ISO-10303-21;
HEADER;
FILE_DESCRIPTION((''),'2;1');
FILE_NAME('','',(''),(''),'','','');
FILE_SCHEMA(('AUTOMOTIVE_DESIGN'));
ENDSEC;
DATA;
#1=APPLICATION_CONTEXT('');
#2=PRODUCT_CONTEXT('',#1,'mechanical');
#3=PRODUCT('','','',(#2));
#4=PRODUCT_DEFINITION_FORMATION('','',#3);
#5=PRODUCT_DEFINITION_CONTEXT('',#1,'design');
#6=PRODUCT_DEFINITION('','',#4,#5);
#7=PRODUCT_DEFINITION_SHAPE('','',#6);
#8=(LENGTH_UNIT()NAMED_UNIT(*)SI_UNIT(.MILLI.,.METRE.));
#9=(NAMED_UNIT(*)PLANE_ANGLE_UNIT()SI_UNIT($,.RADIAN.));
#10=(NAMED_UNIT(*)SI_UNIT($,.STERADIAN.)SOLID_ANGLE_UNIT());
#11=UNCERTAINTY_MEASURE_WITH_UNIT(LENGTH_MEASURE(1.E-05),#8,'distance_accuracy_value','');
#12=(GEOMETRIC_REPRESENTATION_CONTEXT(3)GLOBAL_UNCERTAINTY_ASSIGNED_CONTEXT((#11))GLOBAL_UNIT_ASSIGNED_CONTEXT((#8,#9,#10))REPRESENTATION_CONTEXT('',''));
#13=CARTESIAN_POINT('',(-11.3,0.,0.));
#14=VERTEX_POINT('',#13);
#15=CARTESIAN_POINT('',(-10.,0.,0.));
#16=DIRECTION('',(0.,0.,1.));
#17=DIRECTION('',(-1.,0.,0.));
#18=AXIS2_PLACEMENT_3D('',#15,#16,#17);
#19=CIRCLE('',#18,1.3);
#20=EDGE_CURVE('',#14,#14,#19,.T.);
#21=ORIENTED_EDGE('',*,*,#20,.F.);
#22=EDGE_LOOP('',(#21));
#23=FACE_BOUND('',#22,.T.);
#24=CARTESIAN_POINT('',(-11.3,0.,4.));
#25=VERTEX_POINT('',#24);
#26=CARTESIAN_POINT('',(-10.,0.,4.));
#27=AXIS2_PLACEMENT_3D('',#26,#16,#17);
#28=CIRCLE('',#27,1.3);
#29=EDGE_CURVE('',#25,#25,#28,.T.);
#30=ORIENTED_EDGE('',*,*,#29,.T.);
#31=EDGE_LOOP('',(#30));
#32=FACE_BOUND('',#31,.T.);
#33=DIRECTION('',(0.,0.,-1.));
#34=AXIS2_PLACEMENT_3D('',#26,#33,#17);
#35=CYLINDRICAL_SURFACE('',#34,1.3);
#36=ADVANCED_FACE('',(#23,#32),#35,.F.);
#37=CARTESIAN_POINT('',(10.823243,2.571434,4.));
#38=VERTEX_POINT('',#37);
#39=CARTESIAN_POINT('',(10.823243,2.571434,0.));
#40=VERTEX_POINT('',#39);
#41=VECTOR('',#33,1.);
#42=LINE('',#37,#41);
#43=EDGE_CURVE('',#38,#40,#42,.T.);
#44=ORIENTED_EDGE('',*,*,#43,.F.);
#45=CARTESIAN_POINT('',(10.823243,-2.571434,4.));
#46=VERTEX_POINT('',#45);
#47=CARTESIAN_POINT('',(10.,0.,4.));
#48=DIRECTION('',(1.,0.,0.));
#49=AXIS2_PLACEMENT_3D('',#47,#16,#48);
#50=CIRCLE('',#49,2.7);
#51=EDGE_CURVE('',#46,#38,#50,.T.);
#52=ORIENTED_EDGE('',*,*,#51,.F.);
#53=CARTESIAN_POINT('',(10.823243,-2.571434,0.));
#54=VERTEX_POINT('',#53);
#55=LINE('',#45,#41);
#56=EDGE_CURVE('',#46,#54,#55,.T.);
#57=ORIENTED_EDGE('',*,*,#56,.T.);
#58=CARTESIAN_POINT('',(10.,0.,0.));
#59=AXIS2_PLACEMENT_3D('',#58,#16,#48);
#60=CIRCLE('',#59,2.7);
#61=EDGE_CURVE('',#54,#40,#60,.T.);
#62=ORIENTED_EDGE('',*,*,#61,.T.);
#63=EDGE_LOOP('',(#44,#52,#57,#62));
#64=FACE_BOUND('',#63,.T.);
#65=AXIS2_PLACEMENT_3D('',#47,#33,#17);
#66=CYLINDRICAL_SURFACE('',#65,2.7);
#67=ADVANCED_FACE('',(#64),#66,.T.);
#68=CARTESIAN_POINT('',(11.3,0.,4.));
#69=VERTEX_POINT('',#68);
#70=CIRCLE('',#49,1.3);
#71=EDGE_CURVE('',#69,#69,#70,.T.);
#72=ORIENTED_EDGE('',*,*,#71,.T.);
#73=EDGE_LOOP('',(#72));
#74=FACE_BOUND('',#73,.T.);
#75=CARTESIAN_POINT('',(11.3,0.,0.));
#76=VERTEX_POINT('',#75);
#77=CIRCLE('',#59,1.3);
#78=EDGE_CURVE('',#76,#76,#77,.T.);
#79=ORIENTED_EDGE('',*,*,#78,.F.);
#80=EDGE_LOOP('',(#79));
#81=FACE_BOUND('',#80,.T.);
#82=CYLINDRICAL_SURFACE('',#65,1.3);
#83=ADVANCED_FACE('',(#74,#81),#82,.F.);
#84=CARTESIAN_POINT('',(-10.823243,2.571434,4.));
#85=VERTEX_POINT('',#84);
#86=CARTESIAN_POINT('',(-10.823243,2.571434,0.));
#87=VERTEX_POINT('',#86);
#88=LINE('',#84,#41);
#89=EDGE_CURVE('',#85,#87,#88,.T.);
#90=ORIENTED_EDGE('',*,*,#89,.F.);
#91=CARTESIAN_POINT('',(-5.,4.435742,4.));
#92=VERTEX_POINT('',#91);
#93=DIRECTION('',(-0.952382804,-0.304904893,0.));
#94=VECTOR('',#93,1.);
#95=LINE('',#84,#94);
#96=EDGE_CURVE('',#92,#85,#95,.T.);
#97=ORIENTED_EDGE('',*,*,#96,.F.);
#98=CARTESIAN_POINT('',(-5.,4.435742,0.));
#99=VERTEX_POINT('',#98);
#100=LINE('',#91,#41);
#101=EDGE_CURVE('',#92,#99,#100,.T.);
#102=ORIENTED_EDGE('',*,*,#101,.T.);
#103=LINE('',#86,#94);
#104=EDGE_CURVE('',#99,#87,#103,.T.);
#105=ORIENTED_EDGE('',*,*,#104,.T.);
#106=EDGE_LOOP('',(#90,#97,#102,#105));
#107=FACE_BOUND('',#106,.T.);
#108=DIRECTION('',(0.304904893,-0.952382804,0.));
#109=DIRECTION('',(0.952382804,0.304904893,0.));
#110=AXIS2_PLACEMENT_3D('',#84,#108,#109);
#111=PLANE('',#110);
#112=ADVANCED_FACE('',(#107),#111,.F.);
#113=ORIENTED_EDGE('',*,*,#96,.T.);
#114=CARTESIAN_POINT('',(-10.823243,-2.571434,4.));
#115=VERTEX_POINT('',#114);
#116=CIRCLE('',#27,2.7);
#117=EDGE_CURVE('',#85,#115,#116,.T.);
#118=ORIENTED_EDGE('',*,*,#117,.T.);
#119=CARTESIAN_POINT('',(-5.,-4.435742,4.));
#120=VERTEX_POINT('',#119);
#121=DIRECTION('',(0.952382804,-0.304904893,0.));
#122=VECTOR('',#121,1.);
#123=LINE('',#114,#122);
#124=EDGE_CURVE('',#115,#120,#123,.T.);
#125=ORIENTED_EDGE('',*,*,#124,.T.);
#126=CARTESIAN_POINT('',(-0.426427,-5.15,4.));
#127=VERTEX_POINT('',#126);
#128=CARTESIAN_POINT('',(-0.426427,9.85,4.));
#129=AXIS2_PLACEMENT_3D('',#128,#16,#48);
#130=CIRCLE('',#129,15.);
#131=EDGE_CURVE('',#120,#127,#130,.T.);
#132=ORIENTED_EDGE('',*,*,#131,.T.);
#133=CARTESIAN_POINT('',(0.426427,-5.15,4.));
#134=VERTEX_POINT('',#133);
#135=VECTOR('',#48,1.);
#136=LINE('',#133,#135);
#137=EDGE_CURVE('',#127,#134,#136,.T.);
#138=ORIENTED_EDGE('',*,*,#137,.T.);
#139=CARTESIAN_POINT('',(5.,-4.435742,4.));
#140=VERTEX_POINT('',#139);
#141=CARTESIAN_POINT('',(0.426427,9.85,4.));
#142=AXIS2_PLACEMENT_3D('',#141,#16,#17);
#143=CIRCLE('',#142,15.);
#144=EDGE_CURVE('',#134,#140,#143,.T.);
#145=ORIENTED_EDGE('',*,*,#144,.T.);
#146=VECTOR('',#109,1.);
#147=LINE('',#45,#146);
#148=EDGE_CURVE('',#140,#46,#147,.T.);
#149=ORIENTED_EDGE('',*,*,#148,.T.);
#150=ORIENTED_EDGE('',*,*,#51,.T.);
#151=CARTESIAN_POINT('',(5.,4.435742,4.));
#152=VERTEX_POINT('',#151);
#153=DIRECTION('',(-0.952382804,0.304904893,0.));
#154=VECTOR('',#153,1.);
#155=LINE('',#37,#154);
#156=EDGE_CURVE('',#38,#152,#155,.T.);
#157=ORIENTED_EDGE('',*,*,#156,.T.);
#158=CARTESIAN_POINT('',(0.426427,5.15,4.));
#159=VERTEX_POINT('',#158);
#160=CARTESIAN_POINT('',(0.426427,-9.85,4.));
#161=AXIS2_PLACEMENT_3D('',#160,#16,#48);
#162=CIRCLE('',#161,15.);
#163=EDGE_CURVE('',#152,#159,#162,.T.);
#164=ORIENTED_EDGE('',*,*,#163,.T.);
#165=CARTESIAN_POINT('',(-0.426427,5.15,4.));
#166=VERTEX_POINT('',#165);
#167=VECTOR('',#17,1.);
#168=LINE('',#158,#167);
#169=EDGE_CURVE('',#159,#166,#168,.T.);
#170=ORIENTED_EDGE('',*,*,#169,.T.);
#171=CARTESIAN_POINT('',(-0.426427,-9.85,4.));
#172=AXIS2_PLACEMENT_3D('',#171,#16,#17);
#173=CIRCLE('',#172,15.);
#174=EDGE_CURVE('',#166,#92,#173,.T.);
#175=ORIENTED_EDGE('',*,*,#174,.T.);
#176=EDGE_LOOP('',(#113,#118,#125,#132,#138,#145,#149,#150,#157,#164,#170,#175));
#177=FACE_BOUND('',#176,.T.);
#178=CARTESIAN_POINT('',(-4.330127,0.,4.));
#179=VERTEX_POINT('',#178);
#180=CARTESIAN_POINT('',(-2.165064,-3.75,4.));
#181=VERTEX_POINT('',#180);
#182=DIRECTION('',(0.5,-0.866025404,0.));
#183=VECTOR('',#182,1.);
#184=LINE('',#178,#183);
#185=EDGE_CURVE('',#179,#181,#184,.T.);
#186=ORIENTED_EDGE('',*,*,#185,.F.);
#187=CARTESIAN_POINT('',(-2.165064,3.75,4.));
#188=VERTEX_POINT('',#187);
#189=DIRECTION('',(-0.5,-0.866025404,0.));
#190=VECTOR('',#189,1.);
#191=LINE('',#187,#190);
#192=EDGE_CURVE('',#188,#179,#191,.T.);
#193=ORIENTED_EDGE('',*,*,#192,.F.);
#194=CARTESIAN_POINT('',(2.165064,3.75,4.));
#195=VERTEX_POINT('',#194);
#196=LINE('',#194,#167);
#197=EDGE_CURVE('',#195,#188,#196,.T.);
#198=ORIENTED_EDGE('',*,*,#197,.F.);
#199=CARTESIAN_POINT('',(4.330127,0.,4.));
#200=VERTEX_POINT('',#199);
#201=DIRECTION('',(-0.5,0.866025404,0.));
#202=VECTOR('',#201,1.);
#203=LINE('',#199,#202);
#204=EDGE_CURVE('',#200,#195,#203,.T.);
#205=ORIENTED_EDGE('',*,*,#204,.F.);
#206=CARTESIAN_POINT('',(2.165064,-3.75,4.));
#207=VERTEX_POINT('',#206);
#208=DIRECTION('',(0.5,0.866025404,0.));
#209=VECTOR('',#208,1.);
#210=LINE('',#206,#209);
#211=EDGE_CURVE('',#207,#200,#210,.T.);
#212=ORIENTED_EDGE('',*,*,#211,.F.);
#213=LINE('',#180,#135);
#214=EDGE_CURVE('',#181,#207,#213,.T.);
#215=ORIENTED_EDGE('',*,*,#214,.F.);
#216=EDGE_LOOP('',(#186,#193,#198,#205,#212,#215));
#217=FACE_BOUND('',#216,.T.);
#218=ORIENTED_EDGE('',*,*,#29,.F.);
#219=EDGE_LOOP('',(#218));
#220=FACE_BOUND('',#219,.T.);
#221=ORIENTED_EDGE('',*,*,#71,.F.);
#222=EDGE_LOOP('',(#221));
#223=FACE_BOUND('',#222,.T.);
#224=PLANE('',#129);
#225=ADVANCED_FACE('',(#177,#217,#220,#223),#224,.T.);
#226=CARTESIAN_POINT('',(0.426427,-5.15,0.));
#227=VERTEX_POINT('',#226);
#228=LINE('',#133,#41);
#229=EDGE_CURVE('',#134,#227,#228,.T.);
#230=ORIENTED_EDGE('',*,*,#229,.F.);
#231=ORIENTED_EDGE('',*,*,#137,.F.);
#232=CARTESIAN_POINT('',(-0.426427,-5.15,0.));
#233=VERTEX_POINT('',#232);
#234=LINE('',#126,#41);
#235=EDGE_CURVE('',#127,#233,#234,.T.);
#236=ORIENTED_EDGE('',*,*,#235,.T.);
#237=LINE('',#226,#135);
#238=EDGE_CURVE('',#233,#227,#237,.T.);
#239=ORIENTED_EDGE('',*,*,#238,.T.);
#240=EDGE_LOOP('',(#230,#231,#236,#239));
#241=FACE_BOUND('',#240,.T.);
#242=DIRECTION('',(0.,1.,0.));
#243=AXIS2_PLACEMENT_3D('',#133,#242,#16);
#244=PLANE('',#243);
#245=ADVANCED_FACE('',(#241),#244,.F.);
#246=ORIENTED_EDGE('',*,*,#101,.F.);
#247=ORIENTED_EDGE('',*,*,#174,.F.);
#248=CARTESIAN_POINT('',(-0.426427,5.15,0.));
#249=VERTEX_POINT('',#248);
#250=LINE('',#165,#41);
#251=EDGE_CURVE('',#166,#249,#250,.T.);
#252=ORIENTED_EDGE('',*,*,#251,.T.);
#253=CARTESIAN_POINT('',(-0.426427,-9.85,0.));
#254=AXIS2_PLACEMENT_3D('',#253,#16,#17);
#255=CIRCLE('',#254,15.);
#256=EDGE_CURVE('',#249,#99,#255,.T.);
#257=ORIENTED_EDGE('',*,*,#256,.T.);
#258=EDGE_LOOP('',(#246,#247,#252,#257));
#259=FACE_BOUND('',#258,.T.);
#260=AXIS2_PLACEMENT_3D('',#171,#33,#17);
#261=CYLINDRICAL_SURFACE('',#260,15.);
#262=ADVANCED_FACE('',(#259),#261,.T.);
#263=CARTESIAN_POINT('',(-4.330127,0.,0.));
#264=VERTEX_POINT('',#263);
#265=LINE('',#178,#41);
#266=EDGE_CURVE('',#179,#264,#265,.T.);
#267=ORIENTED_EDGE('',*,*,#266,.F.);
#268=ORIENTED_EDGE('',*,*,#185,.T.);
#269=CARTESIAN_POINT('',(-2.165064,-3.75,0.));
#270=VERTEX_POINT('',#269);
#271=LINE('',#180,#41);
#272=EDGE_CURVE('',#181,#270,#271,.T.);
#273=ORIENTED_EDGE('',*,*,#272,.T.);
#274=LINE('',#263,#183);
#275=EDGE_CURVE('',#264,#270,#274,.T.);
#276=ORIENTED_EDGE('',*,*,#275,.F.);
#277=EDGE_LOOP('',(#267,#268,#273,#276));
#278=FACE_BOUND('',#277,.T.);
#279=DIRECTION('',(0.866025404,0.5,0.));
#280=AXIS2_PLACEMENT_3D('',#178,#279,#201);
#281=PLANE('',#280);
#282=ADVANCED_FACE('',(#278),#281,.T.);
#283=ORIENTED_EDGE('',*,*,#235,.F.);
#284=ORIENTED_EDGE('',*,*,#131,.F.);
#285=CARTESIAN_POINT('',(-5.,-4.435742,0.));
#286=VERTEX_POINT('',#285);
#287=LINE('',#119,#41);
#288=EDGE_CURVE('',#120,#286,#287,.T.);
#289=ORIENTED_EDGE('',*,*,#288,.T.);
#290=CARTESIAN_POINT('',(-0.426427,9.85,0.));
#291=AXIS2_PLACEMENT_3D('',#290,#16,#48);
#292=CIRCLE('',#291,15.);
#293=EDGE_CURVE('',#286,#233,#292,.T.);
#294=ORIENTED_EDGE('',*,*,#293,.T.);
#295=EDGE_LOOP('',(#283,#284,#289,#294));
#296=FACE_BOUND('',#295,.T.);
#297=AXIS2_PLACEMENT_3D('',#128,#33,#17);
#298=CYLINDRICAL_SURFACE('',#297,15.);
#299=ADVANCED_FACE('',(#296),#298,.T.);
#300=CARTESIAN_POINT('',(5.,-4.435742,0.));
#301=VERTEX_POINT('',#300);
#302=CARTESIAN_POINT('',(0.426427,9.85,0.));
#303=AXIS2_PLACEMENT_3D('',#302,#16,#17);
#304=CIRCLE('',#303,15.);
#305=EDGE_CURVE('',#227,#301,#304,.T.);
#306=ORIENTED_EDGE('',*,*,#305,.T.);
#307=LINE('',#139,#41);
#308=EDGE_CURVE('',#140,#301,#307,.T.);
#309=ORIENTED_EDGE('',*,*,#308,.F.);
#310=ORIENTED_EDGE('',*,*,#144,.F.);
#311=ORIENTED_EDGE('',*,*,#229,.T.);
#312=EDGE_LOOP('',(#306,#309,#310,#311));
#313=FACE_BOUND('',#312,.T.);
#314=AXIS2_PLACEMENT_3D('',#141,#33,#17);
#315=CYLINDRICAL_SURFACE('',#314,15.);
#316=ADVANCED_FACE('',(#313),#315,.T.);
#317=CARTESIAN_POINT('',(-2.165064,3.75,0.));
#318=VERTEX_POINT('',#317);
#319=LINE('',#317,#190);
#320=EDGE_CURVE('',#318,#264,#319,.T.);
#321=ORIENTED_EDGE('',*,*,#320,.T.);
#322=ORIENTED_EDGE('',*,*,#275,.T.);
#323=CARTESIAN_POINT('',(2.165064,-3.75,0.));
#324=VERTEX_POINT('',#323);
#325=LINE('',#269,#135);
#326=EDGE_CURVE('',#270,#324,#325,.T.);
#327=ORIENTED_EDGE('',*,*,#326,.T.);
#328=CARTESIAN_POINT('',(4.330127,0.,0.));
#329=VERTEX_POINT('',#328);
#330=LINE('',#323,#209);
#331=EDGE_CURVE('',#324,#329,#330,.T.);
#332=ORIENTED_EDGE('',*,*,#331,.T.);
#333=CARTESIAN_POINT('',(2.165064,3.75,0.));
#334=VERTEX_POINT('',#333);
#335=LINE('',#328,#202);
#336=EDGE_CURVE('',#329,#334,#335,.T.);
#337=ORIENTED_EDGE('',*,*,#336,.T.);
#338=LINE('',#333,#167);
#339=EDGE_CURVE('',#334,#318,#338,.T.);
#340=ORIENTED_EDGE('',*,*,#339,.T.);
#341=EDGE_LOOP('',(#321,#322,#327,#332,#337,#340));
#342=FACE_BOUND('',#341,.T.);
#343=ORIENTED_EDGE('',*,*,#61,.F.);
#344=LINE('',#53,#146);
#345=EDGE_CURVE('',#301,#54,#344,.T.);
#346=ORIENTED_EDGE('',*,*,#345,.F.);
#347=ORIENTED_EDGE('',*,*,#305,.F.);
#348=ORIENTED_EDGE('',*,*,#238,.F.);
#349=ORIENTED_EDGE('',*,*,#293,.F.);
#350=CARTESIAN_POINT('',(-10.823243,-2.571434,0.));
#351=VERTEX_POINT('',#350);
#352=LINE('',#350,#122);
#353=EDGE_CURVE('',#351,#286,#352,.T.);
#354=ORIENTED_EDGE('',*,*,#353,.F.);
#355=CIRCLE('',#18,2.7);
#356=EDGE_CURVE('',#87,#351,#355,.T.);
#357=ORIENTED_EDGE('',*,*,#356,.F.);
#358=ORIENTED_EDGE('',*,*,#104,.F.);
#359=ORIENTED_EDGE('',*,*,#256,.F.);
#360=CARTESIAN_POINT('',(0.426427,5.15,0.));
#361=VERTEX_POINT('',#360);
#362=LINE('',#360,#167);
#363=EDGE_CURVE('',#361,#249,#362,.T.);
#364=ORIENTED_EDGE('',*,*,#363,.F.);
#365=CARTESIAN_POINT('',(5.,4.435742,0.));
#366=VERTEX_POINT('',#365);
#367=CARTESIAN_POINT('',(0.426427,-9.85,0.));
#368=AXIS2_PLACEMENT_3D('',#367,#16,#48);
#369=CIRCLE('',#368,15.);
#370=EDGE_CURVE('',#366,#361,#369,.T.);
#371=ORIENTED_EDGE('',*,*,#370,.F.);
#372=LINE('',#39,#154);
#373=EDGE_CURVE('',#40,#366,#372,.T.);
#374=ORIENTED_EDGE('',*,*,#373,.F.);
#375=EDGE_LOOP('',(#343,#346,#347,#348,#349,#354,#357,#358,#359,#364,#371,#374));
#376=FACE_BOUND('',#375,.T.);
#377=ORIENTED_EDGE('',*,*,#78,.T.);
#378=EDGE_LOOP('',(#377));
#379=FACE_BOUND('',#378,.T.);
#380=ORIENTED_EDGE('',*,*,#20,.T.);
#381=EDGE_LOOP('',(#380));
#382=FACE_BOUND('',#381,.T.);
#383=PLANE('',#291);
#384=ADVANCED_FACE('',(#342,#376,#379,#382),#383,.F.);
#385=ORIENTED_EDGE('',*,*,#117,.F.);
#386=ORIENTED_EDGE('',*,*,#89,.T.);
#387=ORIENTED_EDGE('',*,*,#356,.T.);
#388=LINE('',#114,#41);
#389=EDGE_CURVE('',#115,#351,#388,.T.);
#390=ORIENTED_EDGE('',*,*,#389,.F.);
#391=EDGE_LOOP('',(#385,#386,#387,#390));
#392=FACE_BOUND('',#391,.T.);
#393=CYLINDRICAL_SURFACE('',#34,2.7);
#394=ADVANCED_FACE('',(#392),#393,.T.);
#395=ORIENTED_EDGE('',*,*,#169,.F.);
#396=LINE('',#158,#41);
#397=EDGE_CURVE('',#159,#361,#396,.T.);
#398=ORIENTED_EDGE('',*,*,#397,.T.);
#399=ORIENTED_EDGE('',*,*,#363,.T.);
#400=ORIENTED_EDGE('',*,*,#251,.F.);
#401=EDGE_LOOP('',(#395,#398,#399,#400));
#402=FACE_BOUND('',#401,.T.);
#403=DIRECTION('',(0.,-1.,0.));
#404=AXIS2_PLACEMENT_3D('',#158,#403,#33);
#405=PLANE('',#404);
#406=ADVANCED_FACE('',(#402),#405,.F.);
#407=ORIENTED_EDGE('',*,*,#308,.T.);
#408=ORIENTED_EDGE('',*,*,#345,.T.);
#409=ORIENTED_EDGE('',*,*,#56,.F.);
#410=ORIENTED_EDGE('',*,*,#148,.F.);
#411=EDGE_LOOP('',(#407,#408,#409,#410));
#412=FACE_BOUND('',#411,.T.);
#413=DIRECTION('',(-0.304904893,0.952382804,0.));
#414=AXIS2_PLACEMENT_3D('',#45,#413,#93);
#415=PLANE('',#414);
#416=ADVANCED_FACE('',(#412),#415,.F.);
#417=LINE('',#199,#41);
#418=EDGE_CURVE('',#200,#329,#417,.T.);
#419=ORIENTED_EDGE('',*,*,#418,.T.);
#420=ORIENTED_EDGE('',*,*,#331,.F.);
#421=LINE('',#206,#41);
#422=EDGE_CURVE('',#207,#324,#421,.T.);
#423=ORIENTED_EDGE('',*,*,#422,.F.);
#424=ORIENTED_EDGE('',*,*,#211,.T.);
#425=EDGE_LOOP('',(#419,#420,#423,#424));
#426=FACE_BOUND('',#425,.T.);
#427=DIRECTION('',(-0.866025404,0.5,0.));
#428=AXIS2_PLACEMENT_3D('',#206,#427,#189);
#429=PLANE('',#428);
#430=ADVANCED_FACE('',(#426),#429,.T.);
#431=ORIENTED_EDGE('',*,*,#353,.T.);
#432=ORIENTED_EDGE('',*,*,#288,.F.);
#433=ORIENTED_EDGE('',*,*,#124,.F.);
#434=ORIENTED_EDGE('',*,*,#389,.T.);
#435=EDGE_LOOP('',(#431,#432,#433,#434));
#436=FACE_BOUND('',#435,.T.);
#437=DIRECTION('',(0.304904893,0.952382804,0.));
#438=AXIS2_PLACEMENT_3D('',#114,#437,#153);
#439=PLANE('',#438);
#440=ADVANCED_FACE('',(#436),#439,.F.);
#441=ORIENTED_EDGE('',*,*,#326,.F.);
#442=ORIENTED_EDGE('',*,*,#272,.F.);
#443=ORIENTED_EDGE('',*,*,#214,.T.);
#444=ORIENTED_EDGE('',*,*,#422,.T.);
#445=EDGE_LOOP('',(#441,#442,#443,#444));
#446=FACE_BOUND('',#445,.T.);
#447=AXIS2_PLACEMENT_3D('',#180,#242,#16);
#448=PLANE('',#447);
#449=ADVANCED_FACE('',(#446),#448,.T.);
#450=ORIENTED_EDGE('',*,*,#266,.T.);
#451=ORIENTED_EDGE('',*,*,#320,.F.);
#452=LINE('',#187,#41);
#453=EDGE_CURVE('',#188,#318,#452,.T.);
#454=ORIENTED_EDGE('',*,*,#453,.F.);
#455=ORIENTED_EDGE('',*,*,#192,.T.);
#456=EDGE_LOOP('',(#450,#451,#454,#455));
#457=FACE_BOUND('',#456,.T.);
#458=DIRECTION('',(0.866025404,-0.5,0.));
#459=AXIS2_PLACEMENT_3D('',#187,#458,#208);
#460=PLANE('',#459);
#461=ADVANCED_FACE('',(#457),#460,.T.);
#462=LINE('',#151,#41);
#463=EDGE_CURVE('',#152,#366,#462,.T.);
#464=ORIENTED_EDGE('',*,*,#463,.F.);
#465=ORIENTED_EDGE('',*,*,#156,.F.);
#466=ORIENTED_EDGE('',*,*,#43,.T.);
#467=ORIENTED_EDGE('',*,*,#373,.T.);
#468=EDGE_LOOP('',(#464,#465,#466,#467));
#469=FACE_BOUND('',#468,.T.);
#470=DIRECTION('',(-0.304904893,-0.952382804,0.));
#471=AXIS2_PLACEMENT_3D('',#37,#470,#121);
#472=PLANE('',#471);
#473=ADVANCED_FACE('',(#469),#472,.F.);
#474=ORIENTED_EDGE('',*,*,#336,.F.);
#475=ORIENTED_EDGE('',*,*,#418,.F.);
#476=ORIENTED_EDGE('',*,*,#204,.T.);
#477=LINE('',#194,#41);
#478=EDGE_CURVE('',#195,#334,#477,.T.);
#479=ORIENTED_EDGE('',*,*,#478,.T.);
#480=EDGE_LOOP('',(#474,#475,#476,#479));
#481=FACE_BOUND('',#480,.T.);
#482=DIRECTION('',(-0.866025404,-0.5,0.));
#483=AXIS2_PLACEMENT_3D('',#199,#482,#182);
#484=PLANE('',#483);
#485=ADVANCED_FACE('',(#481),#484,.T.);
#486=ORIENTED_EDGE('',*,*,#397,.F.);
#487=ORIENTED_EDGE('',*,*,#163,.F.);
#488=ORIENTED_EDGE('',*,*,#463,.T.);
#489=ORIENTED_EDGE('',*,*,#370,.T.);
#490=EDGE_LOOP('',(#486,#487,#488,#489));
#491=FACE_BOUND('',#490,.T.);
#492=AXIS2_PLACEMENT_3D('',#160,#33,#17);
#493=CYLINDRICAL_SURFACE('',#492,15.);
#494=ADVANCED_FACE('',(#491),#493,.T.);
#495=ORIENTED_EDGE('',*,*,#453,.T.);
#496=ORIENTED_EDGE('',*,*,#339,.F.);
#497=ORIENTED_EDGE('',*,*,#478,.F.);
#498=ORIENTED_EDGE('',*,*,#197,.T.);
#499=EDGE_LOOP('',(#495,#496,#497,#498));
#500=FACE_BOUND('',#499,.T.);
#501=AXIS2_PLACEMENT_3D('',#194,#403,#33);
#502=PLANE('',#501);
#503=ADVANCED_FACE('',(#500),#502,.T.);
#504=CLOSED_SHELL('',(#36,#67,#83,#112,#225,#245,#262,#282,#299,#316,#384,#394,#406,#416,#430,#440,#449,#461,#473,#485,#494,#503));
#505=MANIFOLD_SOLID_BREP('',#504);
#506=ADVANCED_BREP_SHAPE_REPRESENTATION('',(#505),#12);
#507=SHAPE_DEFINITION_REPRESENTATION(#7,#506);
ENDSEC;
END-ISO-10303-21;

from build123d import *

# Parameters (mm, degrees)
SKETCH1_R           = 1.3
BOSS_EXTRUDE1_DEPTH = 4


with BuildPart() as part:
    # Sketch1 → Boss-Extrude1 (new body)
    with BuildSketch(Plane.XY):
        with BuildLine():
            Line((10.823243212, 2.571433572), (5, 4.435742065))
            ThreePointArc((5, 4.435742065), (2.74093184, 4.97035983), (0.426426599, 5.15))
            Line((0.426426599, 5.15), (-0.426426599, 5.15))
            ThreePointArc((-0.426426599, 5.15), (-2.74093184, 4.97035983), (-5, 4.435742065))
            Line((-5, 4.435742065), (-10.823243212, 2.571433572))
            ThreePointArc((-10.823243212, 2.571433572), (-12.7, 0), (-10.823243212, -2.571433572))
            Line((-10.823243212, -2.571433572), (-5, -4.435742065))
            ThreePointArc((-5, -4.435742065), (-2.74093184, -4.97035983), (-0.426426599, -5.15))
            Line((-0.426426599, -5.15), (0.426426599, -5.15))
            ThreePointArc((0.426426599, -5.15), (2.74093184, -4.97035983), (5, -4.435742065))
            Line((5, -4.435742065), (10.823243212, -2.571433572))
            ThreePointArc((10.823243212, -2.571433572), (12.7, 0), (10.823243212, 2.571433572))
        make_face()
        with Locations((10, 0)):
            Circle(SKETCH1_R, mode=Mode.SUBTRACT)
        with Locations(Location((-10, 0, 0), (0, 0, 180))):
            Circle(SKETCH1_R, mode=Mode.SUBTRACT)
        Polygon((2.165063509, 3.75), (-2.165063509, 3.75), (-4.330127019, 0), (-2.165063509, -3.75), (2.165063509, -3.75), (4.330127019, 0), align=None, mode=Mode.SUBTRACT)
    extrude(amount=BOSS_EXTRUDE1_DEPTH)


solid = part.part
